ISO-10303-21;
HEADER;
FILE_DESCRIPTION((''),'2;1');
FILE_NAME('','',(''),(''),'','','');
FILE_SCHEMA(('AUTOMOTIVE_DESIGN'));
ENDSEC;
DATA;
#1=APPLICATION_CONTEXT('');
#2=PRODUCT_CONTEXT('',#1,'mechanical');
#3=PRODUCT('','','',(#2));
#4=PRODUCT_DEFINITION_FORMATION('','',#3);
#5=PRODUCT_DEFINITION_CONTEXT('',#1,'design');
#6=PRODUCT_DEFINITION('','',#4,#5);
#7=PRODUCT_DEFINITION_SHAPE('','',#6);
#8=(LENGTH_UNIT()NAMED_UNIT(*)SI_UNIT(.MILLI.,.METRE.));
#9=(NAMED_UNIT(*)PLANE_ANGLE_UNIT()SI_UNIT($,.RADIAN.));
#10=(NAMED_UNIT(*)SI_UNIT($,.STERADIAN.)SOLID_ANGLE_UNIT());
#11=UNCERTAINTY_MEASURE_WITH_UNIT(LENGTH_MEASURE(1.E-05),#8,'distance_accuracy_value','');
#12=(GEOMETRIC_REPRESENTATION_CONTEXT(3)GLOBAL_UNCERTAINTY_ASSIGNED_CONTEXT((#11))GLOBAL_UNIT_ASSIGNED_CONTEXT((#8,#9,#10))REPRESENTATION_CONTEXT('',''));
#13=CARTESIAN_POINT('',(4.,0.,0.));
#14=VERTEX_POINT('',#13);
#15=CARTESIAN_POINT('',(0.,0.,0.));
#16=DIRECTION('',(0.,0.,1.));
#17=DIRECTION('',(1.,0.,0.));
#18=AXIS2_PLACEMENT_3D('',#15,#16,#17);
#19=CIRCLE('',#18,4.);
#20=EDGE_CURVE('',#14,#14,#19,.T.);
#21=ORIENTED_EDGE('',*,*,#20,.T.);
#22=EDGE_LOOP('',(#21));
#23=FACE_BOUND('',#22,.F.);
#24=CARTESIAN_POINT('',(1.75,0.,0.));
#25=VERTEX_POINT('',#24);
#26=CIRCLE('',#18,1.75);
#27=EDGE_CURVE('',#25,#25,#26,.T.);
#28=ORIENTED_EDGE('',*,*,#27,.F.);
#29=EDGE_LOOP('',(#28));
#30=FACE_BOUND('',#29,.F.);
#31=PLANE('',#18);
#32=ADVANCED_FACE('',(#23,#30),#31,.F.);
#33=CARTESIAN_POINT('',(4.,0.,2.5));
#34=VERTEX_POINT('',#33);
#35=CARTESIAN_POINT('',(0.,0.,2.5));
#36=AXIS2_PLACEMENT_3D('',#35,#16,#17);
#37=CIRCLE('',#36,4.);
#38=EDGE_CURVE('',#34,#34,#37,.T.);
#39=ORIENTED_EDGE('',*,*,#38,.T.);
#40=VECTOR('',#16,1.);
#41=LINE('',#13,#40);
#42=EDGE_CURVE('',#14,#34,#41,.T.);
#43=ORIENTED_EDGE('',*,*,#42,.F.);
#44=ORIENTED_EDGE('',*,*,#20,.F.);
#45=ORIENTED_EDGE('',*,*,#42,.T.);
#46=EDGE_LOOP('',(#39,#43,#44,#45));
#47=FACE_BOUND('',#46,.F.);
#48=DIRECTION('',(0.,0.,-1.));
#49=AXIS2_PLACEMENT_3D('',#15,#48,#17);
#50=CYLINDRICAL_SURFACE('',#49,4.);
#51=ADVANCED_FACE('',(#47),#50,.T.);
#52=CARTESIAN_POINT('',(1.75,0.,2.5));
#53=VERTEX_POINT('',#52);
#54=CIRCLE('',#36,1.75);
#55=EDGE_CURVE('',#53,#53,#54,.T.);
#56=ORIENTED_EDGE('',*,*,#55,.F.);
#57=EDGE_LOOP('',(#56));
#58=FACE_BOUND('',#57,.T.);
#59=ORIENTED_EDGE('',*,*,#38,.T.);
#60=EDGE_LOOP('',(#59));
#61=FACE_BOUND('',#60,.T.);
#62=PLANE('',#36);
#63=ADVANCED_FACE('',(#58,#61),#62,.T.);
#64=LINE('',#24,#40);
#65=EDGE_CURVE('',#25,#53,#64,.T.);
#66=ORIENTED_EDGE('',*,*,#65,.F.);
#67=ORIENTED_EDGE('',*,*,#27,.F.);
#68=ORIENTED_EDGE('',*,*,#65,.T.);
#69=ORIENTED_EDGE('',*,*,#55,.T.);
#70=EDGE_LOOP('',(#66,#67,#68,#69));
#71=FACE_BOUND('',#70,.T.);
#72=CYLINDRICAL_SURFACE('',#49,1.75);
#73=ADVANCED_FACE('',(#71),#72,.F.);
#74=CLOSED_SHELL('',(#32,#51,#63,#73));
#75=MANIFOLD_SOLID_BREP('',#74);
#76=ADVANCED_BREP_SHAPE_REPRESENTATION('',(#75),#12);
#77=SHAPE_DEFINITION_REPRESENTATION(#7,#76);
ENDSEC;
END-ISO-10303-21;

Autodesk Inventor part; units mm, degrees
ref_plane "YZ Plane" through (0, 0, 0) normal (1, 0, 0) x (0, 1, 0)
ref_plane "XZ Plane" through (0, 0, 0) normal (0, 1, 0) x (-1, 0, 0)
ref_plane "XY Plane" through (0, 0, 0) normal (0, 0, 1) x (1, 0, 0)
sketch "Skizze1" plane through (0, 0, 0) normal (0, 0, 1) x (1, 0, 0)
  circle A0 centre (0, 0) radius 1.75
  circle A1 centre (0, 0) radius 4
  dimension "d0" = 3.5
  dimension "d1" = 8
extrude "Extrusion1" add sketch "Skizze1" along normal blind 2.5
properties part number "Unterlagscheibe"
